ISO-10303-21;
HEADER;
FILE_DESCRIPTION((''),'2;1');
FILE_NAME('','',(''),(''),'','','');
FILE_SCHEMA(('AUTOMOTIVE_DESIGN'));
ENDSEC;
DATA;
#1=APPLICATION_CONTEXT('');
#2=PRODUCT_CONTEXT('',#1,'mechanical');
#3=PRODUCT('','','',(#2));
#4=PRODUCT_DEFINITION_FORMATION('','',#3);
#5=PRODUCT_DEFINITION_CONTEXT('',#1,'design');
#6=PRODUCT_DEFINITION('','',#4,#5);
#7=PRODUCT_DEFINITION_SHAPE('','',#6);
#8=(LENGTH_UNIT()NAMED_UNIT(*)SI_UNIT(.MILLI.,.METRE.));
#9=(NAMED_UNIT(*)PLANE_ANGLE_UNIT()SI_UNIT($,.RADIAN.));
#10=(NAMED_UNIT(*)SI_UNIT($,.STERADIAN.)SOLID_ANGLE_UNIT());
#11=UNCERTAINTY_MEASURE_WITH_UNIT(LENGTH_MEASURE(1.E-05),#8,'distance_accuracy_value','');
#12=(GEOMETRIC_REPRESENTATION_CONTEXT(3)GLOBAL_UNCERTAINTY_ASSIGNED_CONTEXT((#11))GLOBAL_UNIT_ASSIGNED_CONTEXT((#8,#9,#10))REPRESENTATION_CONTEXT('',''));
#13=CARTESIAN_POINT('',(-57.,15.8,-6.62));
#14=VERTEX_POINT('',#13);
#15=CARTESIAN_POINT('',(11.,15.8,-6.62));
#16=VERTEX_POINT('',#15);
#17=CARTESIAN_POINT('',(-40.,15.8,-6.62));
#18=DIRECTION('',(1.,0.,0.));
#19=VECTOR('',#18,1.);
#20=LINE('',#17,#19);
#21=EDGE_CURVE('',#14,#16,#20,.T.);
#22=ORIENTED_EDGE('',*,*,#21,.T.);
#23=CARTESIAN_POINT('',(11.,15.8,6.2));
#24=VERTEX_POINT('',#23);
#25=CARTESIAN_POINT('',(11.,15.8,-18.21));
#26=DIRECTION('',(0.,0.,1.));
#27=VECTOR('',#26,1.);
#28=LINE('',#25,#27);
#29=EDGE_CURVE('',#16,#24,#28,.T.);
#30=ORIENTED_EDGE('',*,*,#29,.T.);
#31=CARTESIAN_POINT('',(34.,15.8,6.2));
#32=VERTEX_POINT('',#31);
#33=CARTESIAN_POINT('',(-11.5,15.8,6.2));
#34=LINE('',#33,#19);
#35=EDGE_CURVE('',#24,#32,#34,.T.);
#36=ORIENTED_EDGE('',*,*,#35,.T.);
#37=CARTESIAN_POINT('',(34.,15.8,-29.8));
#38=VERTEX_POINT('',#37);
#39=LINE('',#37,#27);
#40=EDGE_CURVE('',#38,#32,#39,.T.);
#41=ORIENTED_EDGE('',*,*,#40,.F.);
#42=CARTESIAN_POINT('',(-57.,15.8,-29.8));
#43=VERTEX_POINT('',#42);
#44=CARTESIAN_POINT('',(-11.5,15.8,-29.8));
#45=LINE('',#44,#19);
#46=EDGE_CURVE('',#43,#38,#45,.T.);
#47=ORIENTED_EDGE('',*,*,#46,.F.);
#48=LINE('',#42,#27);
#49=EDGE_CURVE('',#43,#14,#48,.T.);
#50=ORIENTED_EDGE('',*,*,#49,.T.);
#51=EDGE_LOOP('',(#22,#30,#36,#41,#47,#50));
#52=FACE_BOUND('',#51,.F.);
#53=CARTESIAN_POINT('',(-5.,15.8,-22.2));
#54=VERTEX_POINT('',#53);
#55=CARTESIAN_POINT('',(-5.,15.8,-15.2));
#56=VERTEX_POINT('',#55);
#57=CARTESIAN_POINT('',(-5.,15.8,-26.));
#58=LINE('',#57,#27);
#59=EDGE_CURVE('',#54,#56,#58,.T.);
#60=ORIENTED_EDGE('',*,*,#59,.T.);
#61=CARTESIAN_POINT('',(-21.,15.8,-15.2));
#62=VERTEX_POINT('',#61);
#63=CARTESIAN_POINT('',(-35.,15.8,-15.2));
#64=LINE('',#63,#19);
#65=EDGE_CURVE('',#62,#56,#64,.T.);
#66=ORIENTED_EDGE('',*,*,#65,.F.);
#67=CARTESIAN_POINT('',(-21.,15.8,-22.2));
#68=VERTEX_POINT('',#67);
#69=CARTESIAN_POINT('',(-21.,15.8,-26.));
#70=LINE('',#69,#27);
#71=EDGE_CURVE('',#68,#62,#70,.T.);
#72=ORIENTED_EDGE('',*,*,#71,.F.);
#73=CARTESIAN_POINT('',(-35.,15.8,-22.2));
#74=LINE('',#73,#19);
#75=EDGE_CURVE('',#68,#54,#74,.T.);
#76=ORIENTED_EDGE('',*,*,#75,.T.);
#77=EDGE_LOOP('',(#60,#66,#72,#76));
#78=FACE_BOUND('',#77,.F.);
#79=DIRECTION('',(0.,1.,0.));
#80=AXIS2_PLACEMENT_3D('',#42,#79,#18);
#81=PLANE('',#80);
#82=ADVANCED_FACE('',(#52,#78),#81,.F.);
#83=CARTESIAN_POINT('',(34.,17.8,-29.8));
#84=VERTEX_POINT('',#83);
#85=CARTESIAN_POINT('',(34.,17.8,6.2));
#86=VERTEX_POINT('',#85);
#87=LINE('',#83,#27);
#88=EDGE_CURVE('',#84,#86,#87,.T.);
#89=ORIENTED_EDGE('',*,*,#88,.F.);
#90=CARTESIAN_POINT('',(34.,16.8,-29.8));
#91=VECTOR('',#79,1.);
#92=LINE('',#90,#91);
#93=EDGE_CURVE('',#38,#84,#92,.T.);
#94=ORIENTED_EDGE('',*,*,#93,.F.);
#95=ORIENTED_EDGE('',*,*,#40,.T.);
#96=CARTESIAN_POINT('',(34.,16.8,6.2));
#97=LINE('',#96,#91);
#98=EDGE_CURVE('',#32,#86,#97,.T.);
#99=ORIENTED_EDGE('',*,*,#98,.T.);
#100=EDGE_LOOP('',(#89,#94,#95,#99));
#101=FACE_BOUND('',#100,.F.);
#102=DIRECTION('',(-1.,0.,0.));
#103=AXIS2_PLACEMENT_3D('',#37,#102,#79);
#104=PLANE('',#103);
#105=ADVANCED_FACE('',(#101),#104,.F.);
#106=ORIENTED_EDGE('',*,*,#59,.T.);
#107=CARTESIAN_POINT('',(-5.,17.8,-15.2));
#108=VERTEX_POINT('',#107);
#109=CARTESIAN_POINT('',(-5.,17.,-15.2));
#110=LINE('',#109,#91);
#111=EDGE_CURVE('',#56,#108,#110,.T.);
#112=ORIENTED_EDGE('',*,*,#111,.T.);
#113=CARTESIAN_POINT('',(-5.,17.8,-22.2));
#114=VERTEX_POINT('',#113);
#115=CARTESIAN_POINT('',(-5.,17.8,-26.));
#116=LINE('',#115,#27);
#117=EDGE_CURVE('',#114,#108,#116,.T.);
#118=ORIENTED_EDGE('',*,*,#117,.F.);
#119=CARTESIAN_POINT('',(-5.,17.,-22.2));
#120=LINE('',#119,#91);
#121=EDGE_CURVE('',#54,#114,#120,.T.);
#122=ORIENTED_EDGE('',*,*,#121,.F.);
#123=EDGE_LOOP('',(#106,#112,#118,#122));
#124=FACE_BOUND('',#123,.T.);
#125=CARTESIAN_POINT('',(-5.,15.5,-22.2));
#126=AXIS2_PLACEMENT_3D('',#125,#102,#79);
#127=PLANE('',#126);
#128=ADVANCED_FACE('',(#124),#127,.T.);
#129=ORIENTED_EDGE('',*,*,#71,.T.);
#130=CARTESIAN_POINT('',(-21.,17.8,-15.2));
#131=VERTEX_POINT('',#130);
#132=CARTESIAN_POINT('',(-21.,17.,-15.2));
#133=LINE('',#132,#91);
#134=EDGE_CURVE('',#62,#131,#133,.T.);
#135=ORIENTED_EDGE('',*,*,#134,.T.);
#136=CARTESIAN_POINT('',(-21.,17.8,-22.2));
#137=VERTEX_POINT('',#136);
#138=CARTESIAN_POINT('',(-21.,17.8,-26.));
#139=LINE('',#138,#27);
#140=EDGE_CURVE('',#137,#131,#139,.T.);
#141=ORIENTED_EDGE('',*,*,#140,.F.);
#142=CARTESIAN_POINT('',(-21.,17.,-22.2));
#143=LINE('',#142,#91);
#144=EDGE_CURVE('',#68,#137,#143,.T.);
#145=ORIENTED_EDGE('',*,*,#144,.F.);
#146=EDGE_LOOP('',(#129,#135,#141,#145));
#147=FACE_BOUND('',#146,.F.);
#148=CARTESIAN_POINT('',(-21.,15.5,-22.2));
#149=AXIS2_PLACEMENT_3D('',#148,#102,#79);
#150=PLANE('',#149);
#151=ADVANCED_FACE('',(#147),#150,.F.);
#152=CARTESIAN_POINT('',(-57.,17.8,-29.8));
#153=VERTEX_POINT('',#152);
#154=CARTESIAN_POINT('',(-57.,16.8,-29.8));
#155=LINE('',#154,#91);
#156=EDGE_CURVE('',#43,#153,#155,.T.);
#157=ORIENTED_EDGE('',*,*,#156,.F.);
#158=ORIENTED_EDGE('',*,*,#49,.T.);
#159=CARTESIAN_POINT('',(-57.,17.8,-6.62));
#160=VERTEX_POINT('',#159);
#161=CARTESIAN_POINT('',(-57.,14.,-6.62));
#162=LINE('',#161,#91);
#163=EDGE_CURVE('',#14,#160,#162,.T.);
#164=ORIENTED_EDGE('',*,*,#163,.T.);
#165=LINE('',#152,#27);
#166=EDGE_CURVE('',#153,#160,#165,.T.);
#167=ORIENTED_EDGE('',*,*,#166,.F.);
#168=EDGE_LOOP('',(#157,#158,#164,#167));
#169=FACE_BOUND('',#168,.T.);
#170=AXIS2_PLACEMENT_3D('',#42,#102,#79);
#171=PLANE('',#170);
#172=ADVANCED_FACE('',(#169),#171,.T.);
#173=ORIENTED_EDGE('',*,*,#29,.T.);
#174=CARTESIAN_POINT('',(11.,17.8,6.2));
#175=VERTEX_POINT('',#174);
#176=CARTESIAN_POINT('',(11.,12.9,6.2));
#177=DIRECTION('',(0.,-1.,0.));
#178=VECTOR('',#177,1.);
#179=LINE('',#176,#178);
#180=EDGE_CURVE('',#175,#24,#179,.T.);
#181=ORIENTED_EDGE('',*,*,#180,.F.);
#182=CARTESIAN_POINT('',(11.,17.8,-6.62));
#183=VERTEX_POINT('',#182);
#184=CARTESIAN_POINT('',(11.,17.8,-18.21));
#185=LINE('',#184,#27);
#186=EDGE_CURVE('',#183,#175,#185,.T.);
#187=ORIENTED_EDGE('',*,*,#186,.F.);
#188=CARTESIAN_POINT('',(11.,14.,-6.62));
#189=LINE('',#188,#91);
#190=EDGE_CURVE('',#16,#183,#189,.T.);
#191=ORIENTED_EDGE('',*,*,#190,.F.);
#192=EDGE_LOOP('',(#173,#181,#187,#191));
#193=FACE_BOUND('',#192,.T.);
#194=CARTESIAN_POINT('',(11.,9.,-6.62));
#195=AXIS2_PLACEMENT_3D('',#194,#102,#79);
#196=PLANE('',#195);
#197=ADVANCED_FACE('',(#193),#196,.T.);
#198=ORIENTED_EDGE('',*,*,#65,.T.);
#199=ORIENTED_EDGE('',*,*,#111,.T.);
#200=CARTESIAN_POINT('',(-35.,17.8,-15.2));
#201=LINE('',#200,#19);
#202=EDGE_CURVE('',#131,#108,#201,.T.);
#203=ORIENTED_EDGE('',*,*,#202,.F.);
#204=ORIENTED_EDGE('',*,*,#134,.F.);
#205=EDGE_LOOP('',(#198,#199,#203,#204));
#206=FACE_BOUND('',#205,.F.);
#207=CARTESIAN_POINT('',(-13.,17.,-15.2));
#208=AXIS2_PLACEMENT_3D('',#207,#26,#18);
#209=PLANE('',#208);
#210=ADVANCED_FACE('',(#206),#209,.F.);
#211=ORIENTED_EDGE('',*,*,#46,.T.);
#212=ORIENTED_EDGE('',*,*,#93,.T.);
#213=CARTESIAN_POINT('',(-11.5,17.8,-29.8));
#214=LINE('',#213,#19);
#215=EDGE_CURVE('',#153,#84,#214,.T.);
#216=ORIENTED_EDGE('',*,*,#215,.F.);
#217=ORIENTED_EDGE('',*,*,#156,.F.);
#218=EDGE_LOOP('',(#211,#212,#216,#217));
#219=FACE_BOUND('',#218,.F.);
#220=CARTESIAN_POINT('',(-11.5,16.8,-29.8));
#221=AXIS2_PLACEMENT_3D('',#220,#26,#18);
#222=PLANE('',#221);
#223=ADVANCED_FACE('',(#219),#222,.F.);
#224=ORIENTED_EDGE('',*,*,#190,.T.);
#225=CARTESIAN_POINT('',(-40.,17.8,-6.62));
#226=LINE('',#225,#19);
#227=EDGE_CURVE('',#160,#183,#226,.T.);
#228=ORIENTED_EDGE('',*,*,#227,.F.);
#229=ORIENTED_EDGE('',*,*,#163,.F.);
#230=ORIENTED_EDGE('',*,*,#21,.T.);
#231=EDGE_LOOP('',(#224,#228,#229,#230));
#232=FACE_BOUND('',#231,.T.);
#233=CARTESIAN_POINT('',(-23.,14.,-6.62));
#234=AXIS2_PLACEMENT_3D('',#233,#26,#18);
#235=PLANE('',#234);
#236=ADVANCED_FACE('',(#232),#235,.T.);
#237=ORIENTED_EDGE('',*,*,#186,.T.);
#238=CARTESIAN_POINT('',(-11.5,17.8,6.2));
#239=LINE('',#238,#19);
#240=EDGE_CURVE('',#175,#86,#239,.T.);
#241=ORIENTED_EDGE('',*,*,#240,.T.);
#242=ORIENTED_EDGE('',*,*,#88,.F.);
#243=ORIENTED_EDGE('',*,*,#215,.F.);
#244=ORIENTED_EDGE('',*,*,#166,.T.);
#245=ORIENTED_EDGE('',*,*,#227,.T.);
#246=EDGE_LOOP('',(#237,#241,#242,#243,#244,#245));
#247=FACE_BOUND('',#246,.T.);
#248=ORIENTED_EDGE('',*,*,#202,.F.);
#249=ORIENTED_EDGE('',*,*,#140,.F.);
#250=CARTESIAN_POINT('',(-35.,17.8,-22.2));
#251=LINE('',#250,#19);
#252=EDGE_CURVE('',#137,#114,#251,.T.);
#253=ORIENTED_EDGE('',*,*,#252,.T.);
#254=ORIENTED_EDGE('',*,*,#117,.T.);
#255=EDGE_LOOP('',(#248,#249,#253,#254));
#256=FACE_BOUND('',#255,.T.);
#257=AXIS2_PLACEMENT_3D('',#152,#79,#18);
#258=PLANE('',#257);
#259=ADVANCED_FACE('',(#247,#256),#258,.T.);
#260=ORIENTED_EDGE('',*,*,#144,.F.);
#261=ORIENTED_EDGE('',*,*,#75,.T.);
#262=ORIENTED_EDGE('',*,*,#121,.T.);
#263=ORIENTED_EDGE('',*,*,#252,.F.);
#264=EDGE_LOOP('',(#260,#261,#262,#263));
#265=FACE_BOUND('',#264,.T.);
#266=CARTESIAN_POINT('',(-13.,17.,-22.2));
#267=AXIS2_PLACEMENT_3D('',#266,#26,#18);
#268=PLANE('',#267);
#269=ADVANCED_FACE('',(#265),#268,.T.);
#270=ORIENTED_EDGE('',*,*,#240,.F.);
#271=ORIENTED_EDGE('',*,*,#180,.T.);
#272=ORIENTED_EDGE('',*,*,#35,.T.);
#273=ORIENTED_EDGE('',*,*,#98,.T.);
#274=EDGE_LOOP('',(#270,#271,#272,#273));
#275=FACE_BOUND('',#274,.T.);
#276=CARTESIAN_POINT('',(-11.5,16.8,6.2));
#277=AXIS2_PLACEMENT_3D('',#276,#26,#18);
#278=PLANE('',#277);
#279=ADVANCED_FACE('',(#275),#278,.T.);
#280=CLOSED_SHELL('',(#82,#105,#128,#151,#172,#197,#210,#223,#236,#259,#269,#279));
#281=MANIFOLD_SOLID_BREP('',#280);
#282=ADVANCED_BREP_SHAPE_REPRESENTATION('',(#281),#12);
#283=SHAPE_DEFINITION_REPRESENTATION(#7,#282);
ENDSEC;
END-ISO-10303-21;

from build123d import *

# Parameters (mm, degrees)
BOX034_W     = 68
BOX034_H     = 10
BOX034_DEPTH = 16
BOX030_W     = 16
BOX030_H     = 3
BOX030_DEPTH = 7
BOX029_W     = 91
BOX029_H     = 2
BOX029_DEPTH = 36


with BuildPart() as cube031:
    # Box034 → Box034 (new body)
    with BuildSketch(Plane(origin=(-57, 9, -6.62), x_dir=(1, 0, 0), z_dir=(0, 0, 1))):
        with Locations((34, 5)):
            Rectangle(BOX034_W, BOX034_H)
    extrude(amount=BOX034_DEPTH)


with BuildPart() as hdmi_hole:
    # Box030 → Box030 (new body)
    with BuildSketch(Plane(origin=(-21, 15.5, -22.2), x_dir=(1, 0, 0), z_dir=(0, 0, 1))):
        with Locations((8, 1.5)):
            Rectangle(BOX030_W, BOX030_H)
    extrude(amount=BOX030_DEPTH)


with BuildPart() as cut018:
    # Box029 → Box029 (new body)
    with BuildSketch(Plane(origin=(-57, 15.8, -29.8), x_dir=(1, 0, 0), z_dir=(0, 0, 1))):
        with Locations((45.5, 1)):
            Rectangle(BOX029_W, BOX029_H)
    extrude(amount=BOX029_DEPTH)

    # Cut014: cut HDMI_hole
    add(hdmi_hole.part, mode=Mode.SUBTRACT)

    # Cut018: cut Cube031
    add(cube031.part, mode=Mode.SUBTRACT)


solid = cut018.part
